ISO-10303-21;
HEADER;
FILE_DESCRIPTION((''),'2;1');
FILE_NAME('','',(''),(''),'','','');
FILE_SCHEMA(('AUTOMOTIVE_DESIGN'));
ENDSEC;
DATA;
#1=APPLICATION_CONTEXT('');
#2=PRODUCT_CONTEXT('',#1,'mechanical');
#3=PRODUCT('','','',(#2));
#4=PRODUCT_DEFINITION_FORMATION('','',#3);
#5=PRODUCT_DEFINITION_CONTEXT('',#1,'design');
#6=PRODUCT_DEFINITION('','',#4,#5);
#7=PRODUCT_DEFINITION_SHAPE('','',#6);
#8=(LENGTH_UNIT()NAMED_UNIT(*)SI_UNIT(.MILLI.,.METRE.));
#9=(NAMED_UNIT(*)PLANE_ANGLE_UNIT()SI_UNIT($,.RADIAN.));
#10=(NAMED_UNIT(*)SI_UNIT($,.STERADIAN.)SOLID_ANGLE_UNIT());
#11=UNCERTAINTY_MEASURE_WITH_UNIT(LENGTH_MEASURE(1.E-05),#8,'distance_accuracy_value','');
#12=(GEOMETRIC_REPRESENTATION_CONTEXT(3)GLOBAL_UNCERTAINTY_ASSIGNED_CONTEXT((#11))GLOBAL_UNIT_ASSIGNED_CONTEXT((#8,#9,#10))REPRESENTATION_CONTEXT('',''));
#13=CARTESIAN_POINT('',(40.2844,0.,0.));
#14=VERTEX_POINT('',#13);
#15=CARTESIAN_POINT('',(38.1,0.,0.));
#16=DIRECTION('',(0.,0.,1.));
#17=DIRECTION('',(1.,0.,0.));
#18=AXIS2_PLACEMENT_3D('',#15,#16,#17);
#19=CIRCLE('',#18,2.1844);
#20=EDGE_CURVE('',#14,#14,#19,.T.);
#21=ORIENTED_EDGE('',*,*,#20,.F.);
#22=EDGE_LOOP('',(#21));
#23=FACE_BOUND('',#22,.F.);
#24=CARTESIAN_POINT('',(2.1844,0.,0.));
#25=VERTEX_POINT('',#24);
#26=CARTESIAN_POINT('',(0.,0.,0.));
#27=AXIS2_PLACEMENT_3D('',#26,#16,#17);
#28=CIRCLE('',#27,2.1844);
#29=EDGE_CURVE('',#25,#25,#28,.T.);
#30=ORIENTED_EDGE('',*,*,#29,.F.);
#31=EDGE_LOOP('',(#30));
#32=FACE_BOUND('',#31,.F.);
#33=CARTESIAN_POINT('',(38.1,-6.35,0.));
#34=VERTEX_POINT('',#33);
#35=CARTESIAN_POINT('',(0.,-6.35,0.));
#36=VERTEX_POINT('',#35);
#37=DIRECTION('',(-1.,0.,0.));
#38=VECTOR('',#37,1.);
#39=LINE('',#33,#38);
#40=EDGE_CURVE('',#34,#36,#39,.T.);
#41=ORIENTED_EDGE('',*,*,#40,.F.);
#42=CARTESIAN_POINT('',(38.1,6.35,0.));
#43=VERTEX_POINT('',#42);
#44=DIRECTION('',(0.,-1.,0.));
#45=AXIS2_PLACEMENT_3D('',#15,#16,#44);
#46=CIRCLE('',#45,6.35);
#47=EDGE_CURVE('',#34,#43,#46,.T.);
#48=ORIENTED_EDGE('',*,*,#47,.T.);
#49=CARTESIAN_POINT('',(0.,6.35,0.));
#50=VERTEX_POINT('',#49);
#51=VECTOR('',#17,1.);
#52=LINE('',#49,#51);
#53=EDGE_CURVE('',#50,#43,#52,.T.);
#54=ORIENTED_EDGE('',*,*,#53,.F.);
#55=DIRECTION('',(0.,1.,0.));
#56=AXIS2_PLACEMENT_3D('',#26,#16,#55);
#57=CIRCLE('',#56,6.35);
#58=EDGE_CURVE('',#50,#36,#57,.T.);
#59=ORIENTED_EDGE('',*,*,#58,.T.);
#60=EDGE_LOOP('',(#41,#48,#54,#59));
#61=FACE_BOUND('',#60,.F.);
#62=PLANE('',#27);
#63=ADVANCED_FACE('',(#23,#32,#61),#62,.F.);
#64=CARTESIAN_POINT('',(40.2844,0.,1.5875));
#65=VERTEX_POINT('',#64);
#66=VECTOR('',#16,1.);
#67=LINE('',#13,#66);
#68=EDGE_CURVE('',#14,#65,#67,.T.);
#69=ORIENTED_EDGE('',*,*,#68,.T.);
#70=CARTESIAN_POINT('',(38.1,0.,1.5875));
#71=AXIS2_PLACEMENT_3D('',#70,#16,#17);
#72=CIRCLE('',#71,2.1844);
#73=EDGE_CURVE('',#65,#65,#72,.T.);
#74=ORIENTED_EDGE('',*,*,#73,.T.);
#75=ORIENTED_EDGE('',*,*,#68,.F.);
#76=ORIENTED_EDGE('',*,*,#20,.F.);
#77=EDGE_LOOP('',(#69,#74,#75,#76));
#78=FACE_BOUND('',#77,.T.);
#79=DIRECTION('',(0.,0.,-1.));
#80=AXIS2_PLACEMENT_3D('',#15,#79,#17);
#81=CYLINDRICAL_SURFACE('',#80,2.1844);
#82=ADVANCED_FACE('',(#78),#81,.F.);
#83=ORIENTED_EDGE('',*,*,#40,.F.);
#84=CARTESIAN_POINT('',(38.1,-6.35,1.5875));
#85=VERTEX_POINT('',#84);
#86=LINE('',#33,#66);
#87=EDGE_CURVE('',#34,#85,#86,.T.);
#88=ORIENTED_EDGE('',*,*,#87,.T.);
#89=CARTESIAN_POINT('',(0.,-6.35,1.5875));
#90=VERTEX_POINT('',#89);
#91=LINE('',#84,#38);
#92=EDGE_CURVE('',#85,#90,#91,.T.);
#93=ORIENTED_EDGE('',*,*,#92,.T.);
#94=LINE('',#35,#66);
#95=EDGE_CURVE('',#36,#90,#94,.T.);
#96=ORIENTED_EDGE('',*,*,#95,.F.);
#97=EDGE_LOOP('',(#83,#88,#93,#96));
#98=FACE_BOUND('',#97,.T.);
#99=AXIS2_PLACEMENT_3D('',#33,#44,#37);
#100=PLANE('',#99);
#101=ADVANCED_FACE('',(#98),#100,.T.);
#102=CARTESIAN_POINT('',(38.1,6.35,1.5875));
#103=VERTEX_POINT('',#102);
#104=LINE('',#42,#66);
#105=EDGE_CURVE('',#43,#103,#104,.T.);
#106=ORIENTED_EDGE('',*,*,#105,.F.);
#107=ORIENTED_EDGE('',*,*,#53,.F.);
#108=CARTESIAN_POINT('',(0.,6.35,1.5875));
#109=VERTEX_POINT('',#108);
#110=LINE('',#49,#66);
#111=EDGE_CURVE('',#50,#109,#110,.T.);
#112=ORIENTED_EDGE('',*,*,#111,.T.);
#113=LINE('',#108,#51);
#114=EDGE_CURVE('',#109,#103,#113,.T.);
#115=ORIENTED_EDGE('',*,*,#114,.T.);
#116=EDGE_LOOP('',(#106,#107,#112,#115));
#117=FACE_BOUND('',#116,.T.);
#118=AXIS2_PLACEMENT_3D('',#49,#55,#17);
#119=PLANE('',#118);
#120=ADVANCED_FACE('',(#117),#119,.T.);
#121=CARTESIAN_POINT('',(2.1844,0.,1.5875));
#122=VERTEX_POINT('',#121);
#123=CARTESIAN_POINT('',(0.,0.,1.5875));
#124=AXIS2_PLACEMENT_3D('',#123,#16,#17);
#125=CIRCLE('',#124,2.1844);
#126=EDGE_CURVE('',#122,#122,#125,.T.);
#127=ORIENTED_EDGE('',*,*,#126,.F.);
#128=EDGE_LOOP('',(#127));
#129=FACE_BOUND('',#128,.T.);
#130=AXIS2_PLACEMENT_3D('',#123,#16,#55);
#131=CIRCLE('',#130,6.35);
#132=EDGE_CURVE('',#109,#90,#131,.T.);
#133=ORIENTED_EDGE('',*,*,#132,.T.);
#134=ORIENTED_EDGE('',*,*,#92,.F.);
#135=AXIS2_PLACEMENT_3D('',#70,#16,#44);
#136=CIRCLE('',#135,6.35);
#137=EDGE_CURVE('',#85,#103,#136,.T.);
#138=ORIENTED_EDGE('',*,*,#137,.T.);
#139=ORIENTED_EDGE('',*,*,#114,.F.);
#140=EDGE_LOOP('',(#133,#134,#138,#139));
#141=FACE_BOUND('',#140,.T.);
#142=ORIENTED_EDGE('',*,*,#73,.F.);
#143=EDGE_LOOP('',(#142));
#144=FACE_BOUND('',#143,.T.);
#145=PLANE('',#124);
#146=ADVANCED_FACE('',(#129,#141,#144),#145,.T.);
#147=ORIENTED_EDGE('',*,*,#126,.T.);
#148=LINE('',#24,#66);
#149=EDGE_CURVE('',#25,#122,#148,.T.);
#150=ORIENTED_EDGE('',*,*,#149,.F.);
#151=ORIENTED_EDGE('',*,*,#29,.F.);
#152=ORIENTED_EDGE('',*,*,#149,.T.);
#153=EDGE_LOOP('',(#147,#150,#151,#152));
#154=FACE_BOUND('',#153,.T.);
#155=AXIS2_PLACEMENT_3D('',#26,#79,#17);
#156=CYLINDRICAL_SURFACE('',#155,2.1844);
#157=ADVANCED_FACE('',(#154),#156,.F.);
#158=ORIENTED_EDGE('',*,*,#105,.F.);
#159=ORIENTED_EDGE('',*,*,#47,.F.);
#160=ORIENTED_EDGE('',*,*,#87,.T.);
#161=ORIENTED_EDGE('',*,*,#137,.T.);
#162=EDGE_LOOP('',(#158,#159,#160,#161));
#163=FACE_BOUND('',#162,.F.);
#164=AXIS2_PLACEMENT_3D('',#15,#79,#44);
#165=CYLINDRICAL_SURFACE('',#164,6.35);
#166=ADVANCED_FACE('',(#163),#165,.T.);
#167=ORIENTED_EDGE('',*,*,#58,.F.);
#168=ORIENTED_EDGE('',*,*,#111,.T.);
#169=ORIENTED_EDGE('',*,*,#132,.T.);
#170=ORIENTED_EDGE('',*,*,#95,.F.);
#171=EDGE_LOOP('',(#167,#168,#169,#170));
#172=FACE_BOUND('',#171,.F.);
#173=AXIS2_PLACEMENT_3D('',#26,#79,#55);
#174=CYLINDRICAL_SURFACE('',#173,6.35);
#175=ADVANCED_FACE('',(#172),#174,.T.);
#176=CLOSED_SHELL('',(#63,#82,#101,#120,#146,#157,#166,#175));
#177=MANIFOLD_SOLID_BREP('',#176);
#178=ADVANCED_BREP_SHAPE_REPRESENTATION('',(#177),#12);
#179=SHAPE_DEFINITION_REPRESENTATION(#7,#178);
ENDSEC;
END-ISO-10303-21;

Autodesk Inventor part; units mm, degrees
ref_plane "YZ Plane" through (0, 0, 0) normal (1, 0, 0) x (0, 1, 0)
ref_plane "XZ Plane" through (0, 0, 0) normal (0, 1, 0) x (-1, 0, 0)
ref_plane "XY Plane" through (0, 0, 0) normal (0, 0, 1) x (1, 0, 0)
sketch "Sketch1" plane through (0, 0, 0) normal (0, 0, 1) x (1, 0, 0)
  circle A0 centre (0, 0) radius 2.1844
  circle A1 centre (38.1, 0) radius 2.1844
  line L0 (0, 6.35) -> (38.1, 6.35)
  line L1 (38.1, -6.35) -> (0, -6.35)
  arc A2 (0, 6.35) -> (0, -6.35) centre (0, 0) ccw
  arc A3 (38.1, -6.35) -> (38.1, 6.35) centre (38.1, 0) ccw
  dimension "d0" = 4.3688
  dimension "d2" = 4.3688
extrude "Extrusion1" add sketch "Sketch1" along normal blind 1.5875
properties part number "distancesensorcablemanage"
